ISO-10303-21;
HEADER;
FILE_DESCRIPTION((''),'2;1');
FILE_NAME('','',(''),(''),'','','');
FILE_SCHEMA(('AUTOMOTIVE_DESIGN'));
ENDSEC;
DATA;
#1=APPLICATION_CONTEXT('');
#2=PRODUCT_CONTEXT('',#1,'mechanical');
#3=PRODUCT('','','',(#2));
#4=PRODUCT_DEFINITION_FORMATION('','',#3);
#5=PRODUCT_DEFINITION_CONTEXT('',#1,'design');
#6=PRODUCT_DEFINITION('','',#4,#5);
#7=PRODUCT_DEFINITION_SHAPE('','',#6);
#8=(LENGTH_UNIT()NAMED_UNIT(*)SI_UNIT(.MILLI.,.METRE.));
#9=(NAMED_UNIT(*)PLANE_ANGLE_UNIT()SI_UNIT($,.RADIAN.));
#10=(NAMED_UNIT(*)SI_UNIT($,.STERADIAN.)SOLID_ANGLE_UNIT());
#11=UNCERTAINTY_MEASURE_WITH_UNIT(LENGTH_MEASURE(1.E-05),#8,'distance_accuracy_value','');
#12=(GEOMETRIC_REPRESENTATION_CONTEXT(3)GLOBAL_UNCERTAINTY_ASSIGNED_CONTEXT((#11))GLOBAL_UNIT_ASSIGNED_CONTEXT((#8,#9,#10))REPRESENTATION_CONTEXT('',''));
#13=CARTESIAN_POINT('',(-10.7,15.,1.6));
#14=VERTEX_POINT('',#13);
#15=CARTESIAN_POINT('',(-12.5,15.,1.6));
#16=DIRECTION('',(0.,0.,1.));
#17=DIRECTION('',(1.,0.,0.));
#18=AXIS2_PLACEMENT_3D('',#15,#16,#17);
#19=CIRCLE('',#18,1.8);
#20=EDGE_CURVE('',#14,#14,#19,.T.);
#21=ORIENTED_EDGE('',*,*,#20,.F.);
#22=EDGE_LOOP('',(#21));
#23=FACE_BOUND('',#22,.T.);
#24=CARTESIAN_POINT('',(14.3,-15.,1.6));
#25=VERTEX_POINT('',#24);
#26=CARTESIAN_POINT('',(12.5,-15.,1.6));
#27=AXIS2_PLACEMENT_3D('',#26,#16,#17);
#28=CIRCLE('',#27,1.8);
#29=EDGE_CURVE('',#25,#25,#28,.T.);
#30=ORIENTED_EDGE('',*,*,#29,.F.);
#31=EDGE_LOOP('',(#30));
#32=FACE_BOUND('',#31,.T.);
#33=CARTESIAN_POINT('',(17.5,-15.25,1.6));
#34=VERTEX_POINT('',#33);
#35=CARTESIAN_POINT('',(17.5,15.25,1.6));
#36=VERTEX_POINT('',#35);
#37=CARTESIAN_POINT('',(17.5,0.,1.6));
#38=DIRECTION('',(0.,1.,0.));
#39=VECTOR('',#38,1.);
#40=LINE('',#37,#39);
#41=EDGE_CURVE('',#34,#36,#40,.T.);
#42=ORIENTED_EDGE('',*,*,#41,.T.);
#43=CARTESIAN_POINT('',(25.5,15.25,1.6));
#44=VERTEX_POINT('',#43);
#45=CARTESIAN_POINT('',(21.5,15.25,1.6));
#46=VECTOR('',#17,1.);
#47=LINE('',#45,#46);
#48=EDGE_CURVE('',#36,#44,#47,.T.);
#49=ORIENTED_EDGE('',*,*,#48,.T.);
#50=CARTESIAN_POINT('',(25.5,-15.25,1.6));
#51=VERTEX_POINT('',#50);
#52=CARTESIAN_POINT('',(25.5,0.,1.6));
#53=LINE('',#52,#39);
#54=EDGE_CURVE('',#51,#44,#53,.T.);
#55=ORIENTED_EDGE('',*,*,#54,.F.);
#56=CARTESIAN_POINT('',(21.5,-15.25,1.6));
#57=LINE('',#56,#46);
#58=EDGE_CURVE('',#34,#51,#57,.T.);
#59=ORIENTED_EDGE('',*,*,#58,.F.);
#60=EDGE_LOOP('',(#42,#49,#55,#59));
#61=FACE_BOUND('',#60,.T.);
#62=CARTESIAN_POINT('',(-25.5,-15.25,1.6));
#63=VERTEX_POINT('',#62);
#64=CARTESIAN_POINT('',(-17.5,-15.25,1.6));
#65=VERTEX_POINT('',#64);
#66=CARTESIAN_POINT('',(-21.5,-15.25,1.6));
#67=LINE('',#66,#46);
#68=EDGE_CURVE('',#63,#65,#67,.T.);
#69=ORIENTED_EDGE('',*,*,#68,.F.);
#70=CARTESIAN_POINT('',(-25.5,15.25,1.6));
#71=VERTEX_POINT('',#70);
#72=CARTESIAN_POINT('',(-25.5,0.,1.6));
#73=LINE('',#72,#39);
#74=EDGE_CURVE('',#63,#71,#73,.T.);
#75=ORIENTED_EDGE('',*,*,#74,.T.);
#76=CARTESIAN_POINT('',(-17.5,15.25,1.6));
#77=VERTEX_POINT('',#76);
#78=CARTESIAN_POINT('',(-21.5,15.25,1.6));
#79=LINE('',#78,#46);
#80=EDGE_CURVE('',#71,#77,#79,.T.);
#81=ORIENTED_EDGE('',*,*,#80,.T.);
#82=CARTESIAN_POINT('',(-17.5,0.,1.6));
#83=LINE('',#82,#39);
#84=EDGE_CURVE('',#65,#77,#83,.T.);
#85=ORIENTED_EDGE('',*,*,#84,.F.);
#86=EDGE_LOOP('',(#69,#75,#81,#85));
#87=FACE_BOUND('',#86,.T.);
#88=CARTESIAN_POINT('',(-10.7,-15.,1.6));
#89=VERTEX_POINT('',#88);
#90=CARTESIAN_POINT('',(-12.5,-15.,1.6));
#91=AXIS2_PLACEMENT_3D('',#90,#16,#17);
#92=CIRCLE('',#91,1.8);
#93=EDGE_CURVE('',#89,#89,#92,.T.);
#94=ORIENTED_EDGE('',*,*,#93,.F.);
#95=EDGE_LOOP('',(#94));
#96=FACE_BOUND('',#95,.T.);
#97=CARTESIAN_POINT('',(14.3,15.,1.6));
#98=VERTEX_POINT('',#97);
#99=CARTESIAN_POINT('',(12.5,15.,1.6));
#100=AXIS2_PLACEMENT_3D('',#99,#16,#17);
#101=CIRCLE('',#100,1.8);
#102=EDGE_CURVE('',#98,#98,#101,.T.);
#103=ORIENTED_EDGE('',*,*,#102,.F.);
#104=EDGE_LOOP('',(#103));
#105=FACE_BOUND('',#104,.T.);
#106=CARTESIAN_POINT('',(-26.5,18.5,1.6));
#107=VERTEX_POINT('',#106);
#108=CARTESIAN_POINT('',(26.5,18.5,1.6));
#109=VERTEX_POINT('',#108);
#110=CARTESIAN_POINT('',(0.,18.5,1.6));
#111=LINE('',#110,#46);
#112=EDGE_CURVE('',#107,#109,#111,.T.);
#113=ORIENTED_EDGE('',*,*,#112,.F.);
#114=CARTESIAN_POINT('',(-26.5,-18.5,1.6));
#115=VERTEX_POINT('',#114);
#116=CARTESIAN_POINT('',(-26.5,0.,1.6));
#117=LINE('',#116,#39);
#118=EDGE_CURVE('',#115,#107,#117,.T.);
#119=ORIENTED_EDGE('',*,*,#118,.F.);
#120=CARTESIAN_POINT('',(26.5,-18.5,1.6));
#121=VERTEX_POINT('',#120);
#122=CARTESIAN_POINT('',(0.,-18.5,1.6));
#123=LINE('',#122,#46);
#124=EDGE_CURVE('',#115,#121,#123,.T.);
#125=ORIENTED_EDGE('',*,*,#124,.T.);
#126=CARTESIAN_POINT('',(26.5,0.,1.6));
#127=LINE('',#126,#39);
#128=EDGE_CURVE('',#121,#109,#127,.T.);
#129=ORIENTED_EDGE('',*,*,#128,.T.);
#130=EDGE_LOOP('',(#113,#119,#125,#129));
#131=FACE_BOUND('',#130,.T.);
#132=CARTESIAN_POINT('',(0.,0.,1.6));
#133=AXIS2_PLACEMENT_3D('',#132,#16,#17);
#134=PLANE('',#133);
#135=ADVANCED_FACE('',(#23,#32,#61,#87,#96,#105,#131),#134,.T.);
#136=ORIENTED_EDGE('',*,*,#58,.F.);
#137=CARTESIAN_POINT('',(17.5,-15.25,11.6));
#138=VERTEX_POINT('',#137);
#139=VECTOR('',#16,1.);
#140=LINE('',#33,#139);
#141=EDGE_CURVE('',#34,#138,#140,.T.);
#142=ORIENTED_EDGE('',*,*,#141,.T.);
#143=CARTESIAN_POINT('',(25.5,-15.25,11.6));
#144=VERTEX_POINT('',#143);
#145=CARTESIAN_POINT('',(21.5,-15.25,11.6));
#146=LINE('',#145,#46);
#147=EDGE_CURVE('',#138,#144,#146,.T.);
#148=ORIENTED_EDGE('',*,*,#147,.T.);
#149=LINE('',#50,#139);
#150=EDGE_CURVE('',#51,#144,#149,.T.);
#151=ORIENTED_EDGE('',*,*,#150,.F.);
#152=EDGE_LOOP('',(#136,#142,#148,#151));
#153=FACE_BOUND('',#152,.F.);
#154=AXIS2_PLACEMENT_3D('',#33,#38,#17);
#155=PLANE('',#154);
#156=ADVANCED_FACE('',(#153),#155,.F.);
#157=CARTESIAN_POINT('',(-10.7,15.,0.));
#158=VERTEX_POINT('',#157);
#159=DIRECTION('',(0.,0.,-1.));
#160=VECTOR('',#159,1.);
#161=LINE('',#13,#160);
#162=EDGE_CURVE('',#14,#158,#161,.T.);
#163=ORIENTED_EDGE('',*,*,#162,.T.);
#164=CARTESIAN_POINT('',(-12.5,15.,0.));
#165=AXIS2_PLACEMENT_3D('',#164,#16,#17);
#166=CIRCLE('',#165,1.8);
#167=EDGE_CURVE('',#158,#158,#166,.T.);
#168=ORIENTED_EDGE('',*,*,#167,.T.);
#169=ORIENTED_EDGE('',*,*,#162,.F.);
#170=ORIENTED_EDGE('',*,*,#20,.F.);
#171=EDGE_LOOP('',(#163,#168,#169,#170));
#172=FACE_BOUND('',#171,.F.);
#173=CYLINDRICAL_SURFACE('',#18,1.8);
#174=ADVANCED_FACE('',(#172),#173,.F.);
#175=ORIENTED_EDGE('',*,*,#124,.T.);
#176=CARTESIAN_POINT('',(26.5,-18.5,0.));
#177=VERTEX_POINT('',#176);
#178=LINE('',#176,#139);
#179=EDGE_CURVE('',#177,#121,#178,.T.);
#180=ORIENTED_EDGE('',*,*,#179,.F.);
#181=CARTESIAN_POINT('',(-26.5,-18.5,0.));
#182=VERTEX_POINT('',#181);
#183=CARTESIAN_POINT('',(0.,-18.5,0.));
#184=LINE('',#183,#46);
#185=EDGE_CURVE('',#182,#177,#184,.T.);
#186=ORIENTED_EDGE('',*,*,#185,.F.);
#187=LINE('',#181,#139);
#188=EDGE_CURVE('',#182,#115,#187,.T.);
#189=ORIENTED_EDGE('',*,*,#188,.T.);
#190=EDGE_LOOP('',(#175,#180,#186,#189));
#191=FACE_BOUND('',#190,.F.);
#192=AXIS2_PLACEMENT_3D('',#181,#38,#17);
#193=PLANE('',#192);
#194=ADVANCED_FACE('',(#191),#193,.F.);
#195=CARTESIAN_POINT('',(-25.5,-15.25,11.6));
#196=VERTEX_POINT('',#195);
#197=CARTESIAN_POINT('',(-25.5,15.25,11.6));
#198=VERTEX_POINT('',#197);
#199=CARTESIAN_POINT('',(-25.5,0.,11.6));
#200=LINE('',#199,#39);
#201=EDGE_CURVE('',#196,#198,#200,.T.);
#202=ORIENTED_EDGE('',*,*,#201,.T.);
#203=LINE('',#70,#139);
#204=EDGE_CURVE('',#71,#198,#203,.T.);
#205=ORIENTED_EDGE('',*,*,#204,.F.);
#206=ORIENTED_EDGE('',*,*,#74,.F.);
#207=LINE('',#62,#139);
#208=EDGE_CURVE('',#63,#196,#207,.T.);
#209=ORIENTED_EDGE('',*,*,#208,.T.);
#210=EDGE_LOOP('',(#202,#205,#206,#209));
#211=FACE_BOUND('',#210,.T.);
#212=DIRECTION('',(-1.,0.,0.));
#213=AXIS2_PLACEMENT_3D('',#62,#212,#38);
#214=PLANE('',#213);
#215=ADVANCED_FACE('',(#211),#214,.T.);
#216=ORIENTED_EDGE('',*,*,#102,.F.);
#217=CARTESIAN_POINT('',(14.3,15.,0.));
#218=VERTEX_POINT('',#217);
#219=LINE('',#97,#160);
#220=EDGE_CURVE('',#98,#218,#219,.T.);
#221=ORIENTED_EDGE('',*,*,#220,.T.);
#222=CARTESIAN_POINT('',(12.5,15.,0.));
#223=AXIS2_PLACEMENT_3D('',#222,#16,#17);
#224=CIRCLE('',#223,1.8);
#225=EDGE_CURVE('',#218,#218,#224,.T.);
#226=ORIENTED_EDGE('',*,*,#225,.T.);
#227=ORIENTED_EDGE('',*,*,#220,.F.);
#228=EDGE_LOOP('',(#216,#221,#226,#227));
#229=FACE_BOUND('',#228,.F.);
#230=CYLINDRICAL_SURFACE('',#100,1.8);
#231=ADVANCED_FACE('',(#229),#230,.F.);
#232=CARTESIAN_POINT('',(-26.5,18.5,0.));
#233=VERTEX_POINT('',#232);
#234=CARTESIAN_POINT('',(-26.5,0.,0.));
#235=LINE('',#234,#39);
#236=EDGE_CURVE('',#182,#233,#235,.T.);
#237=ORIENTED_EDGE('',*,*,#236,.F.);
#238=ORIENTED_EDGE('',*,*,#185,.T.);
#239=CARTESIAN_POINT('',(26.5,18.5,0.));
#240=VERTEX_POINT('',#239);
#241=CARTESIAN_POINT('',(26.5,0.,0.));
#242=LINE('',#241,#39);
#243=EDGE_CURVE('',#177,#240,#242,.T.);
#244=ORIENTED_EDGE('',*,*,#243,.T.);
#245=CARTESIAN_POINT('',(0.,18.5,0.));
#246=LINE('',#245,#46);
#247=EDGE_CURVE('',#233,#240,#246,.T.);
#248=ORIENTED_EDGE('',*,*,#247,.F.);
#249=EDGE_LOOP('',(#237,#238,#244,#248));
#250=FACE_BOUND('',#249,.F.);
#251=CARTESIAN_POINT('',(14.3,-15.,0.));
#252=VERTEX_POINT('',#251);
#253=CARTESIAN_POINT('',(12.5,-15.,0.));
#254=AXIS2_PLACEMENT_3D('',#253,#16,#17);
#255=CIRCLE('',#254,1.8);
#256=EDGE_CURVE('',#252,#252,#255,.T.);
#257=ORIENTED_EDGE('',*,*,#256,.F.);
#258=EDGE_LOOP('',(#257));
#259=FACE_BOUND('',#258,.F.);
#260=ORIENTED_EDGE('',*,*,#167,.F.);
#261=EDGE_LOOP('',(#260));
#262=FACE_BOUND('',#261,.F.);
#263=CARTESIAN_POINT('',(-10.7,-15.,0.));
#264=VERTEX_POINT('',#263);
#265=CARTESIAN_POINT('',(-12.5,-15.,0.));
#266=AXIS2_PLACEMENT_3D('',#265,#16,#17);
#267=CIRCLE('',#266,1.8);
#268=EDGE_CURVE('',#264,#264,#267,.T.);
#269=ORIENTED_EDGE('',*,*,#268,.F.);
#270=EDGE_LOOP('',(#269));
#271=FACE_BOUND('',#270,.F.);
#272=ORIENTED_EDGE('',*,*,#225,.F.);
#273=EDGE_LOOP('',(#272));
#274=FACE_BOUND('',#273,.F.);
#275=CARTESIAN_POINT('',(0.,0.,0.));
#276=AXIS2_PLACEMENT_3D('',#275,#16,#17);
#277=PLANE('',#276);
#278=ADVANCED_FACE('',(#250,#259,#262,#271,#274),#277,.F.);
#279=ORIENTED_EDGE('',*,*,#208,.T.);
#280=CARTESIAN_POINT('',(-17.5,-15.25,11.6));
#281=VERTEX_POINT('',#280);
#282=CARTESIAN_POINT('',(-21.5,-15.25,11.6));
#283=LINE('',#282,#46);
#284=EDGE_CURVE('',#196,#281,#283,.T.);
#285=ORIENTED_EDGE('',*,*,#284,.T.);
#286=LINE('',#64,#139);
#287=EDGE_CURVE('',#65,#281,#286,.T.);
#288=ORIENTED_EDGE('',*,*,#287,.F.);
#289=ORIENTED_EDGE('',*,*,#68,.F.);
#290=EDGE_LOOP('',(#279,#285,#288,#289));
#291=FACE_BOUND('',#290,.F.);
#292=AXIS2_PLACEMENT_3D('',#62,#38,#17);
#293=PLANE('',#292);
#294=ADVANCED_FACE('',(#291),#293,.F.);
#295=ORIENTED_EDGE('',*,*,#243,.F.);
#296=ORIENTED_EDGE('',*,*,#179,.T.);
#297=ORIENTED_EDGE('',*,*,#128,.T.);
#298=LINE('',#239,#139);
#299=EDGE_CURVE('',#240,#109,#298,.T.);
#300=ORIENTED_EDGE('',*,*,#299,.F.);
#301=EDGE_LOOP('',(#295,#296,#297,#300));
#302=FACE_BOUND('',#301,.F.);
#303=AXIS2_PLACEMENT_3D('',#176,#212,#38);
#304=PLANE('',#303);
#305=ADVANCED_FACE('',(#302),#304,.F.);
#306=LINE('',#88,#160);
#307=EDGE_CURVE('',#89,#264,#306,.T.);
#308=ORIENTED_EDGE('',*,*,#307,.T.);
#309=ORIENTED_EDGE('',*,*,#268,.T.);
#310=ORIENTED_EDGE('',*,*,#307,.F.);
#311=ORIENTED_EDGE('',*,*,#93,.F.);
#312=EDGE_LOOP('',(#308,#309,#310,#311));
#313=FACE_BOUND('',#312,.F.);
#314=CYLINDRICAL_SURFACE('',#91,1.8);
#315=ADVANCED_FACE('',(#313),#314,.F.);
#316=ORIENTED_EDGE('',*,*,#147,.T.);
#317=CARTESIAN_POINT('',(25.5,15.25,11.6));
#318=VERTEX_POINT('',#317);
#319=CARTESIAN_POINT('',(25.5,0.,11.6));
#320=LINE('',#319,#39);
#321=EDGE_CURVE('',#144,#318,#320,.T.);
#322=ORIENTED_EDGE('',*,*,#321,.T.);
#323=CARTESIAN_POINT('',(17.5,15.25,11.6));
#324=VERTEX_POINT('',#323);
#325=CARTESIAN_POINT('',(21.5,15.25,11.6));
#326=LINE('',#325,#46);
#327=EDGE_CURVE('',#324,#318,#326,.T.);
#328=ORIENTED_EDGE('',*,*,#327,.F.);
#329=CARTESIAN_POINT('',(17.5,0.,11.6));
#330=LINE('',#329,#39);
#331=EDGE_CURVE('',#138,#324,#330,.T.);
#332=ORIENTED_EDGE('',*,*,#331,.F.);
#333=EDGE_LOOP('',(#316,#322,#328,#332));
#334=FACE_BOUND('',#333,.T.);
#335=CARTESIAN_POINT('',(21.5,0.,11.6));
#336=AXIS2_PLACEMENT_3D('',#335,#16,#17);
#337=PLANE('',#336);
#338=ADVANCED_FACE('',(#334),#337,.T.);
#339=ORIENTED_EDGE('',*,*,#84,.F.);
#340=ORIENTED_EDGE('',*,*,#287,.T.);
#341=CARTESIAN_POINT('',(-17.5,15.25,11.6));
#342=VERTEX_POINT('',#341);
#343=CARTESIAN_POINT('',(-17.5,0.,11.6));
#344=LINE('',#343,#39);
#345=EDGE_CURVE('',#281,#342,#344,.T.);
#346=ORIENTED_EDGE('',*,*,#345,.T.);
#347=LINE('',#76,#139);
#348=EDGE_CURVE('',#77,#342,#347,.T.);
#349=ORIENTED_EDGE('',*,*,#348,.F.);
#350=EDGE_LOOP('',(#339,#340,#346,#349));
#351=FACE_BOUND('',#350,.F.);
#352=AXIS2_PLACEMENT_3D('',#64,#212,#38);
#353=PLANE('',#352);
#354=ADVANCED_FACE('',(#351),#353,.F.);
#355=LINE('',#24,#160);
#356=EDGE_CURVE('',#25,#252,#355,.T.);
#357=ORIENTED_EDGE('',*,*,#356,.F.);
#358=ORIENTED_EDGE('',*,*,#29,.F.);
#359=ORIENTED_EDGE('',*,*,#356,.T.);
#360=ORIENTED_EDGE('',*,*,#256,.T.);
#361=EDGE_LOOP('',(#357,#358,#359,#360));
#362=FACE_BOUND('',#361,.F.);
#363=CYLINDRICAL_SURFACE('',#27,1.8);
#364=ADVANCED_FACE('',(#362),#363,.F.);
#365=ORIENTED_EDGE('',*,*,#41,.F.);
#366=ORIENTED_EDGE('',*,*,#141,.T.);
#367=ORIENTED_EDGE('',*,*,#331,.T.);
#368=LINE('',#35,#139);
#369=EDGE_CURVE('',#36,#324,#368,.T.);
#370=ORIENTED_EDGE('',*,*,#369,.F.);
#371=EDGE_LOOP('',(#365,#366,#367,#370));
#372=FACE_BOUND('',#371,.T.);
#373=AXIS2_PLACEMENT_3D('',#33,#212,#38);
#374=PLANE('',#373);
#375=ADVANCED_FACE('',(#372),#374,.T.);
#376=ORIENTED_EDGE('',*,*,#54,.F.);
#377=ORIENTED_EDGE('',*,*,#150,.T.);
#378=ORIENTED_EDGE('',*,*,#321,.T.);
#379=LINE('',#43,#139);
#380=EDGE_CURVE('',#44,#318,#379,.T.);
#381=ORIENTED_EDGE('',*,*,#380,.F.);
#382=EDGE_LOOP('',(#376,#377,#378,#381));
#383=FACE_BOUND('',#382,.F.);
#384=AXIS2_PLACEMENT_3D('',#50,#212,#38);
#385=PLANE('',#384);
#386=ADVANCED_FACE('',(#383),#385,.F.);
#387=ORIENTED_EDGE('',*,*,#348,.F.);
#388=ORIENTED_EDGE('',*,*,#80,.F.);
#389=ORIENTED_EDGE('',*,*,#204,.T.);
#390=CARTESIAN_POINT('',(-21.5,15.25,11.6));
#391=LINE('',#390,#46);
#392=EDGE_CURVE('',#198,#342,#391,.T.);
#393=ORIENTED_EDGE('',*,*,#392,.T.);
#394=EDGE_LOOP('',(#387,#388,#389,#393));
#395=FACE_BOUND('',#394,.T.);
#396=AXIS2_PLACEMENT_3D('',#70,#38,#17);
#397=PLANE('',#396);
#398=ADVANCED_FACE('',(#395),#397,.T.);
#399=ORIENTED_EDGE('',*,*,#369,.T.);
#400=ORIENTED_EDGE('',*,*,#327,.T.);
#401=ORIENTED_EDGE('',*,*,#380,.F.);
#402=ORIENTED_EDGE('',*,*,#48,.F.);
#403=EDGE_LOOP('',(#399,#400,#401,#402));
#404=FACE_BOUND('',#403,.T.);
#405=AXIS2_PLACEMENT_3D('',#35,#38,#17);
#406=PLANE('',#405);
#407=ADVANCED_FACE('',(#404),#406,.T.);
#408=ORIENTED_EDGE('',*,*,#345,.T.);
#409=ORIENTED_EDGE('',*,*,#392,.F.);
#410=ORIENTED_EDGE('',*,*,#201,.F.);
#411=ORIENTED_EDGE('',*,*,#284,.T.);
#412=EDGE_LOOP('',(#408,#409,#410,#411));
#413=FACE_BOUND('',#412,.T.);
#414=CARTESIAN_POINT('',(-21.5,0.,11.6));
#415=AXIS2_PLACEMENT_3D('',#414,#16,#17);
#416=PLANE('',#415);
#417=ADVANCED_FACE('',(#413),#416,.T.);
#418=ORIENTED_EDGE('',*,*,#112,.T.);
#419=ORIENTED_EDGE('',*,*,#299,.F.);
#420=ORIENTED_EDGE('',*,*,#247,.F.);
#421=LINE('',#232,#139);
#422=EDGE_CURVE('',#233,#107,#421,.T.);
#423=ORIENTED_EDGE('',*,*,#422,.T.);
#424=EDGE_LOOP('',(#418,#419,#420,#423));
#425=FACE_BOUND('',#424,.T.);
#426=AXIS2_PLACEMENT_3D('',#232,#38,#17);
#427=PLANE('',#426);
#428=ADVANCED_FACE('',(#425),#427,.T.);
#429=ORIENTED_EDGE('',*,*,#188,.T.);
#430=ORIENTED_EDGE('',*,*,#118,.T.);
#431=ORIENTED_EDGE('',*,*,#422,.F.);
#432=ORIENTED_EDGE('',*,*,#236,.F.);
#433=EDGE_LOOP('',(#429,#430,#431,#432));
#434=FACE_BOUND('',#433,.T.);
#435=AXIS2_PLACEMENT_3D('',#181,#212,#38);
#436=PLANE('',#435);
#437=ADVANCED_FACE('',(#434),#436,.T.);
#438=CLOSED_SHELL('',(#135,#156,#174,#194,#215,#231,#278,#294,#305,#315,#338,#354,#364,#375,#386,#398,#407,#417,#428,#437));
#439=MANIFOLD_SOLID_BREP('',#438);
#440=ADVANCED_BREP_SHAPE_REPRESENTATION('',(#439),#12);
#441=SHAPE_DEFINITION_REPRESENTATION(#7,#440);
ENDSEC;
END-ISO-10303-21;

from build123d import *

# Parameters (mm, degrees)
F0_W     = 53
F0_H     = 37
F1_DEPTH = 1.6
F2_W     = 8
F2_H     = 30.5
F3_DEPTH = 10
F4_R     = 1.8
F5_DEPTH = 1.6


with BuildPart() as f1:
    # F0 (on Top) → F1 (new body)
    with BuildSketch(Plane.XY):
        Rectangle(F0_W, F0_H)
    extrude(amount=F1_DEPTH)

    # F2 (on face) → F3 (join)
    with BuildSketch(Plane.XY.offset(1.6)):
        with Locations((21.5, 0)):
            Rectangle(F2_W, F2_H)
        with Locations((-21.5, 0)):
            Rectangle(F2_W, F2_H)
    extrude(amount=F3_DEPTH)

    # F4 (on face) → F5 (cut, through all)
    with BuildSketch(Plane.XY.offset(1.6)):
        with Locations((12.5, -15)):
            Circle(F4_R)
        with Locations((12.5, 15)):
            Circle(F4_R)
        with Locations((-12.5, 15)):
            Circle(F4_R)
        with Locations((-12.5, -15)):
            Circle(F4_R)
    extrude(amount=-F5_DEPTH, mode=Mode.SUBTRACT)


solid = f1.part
